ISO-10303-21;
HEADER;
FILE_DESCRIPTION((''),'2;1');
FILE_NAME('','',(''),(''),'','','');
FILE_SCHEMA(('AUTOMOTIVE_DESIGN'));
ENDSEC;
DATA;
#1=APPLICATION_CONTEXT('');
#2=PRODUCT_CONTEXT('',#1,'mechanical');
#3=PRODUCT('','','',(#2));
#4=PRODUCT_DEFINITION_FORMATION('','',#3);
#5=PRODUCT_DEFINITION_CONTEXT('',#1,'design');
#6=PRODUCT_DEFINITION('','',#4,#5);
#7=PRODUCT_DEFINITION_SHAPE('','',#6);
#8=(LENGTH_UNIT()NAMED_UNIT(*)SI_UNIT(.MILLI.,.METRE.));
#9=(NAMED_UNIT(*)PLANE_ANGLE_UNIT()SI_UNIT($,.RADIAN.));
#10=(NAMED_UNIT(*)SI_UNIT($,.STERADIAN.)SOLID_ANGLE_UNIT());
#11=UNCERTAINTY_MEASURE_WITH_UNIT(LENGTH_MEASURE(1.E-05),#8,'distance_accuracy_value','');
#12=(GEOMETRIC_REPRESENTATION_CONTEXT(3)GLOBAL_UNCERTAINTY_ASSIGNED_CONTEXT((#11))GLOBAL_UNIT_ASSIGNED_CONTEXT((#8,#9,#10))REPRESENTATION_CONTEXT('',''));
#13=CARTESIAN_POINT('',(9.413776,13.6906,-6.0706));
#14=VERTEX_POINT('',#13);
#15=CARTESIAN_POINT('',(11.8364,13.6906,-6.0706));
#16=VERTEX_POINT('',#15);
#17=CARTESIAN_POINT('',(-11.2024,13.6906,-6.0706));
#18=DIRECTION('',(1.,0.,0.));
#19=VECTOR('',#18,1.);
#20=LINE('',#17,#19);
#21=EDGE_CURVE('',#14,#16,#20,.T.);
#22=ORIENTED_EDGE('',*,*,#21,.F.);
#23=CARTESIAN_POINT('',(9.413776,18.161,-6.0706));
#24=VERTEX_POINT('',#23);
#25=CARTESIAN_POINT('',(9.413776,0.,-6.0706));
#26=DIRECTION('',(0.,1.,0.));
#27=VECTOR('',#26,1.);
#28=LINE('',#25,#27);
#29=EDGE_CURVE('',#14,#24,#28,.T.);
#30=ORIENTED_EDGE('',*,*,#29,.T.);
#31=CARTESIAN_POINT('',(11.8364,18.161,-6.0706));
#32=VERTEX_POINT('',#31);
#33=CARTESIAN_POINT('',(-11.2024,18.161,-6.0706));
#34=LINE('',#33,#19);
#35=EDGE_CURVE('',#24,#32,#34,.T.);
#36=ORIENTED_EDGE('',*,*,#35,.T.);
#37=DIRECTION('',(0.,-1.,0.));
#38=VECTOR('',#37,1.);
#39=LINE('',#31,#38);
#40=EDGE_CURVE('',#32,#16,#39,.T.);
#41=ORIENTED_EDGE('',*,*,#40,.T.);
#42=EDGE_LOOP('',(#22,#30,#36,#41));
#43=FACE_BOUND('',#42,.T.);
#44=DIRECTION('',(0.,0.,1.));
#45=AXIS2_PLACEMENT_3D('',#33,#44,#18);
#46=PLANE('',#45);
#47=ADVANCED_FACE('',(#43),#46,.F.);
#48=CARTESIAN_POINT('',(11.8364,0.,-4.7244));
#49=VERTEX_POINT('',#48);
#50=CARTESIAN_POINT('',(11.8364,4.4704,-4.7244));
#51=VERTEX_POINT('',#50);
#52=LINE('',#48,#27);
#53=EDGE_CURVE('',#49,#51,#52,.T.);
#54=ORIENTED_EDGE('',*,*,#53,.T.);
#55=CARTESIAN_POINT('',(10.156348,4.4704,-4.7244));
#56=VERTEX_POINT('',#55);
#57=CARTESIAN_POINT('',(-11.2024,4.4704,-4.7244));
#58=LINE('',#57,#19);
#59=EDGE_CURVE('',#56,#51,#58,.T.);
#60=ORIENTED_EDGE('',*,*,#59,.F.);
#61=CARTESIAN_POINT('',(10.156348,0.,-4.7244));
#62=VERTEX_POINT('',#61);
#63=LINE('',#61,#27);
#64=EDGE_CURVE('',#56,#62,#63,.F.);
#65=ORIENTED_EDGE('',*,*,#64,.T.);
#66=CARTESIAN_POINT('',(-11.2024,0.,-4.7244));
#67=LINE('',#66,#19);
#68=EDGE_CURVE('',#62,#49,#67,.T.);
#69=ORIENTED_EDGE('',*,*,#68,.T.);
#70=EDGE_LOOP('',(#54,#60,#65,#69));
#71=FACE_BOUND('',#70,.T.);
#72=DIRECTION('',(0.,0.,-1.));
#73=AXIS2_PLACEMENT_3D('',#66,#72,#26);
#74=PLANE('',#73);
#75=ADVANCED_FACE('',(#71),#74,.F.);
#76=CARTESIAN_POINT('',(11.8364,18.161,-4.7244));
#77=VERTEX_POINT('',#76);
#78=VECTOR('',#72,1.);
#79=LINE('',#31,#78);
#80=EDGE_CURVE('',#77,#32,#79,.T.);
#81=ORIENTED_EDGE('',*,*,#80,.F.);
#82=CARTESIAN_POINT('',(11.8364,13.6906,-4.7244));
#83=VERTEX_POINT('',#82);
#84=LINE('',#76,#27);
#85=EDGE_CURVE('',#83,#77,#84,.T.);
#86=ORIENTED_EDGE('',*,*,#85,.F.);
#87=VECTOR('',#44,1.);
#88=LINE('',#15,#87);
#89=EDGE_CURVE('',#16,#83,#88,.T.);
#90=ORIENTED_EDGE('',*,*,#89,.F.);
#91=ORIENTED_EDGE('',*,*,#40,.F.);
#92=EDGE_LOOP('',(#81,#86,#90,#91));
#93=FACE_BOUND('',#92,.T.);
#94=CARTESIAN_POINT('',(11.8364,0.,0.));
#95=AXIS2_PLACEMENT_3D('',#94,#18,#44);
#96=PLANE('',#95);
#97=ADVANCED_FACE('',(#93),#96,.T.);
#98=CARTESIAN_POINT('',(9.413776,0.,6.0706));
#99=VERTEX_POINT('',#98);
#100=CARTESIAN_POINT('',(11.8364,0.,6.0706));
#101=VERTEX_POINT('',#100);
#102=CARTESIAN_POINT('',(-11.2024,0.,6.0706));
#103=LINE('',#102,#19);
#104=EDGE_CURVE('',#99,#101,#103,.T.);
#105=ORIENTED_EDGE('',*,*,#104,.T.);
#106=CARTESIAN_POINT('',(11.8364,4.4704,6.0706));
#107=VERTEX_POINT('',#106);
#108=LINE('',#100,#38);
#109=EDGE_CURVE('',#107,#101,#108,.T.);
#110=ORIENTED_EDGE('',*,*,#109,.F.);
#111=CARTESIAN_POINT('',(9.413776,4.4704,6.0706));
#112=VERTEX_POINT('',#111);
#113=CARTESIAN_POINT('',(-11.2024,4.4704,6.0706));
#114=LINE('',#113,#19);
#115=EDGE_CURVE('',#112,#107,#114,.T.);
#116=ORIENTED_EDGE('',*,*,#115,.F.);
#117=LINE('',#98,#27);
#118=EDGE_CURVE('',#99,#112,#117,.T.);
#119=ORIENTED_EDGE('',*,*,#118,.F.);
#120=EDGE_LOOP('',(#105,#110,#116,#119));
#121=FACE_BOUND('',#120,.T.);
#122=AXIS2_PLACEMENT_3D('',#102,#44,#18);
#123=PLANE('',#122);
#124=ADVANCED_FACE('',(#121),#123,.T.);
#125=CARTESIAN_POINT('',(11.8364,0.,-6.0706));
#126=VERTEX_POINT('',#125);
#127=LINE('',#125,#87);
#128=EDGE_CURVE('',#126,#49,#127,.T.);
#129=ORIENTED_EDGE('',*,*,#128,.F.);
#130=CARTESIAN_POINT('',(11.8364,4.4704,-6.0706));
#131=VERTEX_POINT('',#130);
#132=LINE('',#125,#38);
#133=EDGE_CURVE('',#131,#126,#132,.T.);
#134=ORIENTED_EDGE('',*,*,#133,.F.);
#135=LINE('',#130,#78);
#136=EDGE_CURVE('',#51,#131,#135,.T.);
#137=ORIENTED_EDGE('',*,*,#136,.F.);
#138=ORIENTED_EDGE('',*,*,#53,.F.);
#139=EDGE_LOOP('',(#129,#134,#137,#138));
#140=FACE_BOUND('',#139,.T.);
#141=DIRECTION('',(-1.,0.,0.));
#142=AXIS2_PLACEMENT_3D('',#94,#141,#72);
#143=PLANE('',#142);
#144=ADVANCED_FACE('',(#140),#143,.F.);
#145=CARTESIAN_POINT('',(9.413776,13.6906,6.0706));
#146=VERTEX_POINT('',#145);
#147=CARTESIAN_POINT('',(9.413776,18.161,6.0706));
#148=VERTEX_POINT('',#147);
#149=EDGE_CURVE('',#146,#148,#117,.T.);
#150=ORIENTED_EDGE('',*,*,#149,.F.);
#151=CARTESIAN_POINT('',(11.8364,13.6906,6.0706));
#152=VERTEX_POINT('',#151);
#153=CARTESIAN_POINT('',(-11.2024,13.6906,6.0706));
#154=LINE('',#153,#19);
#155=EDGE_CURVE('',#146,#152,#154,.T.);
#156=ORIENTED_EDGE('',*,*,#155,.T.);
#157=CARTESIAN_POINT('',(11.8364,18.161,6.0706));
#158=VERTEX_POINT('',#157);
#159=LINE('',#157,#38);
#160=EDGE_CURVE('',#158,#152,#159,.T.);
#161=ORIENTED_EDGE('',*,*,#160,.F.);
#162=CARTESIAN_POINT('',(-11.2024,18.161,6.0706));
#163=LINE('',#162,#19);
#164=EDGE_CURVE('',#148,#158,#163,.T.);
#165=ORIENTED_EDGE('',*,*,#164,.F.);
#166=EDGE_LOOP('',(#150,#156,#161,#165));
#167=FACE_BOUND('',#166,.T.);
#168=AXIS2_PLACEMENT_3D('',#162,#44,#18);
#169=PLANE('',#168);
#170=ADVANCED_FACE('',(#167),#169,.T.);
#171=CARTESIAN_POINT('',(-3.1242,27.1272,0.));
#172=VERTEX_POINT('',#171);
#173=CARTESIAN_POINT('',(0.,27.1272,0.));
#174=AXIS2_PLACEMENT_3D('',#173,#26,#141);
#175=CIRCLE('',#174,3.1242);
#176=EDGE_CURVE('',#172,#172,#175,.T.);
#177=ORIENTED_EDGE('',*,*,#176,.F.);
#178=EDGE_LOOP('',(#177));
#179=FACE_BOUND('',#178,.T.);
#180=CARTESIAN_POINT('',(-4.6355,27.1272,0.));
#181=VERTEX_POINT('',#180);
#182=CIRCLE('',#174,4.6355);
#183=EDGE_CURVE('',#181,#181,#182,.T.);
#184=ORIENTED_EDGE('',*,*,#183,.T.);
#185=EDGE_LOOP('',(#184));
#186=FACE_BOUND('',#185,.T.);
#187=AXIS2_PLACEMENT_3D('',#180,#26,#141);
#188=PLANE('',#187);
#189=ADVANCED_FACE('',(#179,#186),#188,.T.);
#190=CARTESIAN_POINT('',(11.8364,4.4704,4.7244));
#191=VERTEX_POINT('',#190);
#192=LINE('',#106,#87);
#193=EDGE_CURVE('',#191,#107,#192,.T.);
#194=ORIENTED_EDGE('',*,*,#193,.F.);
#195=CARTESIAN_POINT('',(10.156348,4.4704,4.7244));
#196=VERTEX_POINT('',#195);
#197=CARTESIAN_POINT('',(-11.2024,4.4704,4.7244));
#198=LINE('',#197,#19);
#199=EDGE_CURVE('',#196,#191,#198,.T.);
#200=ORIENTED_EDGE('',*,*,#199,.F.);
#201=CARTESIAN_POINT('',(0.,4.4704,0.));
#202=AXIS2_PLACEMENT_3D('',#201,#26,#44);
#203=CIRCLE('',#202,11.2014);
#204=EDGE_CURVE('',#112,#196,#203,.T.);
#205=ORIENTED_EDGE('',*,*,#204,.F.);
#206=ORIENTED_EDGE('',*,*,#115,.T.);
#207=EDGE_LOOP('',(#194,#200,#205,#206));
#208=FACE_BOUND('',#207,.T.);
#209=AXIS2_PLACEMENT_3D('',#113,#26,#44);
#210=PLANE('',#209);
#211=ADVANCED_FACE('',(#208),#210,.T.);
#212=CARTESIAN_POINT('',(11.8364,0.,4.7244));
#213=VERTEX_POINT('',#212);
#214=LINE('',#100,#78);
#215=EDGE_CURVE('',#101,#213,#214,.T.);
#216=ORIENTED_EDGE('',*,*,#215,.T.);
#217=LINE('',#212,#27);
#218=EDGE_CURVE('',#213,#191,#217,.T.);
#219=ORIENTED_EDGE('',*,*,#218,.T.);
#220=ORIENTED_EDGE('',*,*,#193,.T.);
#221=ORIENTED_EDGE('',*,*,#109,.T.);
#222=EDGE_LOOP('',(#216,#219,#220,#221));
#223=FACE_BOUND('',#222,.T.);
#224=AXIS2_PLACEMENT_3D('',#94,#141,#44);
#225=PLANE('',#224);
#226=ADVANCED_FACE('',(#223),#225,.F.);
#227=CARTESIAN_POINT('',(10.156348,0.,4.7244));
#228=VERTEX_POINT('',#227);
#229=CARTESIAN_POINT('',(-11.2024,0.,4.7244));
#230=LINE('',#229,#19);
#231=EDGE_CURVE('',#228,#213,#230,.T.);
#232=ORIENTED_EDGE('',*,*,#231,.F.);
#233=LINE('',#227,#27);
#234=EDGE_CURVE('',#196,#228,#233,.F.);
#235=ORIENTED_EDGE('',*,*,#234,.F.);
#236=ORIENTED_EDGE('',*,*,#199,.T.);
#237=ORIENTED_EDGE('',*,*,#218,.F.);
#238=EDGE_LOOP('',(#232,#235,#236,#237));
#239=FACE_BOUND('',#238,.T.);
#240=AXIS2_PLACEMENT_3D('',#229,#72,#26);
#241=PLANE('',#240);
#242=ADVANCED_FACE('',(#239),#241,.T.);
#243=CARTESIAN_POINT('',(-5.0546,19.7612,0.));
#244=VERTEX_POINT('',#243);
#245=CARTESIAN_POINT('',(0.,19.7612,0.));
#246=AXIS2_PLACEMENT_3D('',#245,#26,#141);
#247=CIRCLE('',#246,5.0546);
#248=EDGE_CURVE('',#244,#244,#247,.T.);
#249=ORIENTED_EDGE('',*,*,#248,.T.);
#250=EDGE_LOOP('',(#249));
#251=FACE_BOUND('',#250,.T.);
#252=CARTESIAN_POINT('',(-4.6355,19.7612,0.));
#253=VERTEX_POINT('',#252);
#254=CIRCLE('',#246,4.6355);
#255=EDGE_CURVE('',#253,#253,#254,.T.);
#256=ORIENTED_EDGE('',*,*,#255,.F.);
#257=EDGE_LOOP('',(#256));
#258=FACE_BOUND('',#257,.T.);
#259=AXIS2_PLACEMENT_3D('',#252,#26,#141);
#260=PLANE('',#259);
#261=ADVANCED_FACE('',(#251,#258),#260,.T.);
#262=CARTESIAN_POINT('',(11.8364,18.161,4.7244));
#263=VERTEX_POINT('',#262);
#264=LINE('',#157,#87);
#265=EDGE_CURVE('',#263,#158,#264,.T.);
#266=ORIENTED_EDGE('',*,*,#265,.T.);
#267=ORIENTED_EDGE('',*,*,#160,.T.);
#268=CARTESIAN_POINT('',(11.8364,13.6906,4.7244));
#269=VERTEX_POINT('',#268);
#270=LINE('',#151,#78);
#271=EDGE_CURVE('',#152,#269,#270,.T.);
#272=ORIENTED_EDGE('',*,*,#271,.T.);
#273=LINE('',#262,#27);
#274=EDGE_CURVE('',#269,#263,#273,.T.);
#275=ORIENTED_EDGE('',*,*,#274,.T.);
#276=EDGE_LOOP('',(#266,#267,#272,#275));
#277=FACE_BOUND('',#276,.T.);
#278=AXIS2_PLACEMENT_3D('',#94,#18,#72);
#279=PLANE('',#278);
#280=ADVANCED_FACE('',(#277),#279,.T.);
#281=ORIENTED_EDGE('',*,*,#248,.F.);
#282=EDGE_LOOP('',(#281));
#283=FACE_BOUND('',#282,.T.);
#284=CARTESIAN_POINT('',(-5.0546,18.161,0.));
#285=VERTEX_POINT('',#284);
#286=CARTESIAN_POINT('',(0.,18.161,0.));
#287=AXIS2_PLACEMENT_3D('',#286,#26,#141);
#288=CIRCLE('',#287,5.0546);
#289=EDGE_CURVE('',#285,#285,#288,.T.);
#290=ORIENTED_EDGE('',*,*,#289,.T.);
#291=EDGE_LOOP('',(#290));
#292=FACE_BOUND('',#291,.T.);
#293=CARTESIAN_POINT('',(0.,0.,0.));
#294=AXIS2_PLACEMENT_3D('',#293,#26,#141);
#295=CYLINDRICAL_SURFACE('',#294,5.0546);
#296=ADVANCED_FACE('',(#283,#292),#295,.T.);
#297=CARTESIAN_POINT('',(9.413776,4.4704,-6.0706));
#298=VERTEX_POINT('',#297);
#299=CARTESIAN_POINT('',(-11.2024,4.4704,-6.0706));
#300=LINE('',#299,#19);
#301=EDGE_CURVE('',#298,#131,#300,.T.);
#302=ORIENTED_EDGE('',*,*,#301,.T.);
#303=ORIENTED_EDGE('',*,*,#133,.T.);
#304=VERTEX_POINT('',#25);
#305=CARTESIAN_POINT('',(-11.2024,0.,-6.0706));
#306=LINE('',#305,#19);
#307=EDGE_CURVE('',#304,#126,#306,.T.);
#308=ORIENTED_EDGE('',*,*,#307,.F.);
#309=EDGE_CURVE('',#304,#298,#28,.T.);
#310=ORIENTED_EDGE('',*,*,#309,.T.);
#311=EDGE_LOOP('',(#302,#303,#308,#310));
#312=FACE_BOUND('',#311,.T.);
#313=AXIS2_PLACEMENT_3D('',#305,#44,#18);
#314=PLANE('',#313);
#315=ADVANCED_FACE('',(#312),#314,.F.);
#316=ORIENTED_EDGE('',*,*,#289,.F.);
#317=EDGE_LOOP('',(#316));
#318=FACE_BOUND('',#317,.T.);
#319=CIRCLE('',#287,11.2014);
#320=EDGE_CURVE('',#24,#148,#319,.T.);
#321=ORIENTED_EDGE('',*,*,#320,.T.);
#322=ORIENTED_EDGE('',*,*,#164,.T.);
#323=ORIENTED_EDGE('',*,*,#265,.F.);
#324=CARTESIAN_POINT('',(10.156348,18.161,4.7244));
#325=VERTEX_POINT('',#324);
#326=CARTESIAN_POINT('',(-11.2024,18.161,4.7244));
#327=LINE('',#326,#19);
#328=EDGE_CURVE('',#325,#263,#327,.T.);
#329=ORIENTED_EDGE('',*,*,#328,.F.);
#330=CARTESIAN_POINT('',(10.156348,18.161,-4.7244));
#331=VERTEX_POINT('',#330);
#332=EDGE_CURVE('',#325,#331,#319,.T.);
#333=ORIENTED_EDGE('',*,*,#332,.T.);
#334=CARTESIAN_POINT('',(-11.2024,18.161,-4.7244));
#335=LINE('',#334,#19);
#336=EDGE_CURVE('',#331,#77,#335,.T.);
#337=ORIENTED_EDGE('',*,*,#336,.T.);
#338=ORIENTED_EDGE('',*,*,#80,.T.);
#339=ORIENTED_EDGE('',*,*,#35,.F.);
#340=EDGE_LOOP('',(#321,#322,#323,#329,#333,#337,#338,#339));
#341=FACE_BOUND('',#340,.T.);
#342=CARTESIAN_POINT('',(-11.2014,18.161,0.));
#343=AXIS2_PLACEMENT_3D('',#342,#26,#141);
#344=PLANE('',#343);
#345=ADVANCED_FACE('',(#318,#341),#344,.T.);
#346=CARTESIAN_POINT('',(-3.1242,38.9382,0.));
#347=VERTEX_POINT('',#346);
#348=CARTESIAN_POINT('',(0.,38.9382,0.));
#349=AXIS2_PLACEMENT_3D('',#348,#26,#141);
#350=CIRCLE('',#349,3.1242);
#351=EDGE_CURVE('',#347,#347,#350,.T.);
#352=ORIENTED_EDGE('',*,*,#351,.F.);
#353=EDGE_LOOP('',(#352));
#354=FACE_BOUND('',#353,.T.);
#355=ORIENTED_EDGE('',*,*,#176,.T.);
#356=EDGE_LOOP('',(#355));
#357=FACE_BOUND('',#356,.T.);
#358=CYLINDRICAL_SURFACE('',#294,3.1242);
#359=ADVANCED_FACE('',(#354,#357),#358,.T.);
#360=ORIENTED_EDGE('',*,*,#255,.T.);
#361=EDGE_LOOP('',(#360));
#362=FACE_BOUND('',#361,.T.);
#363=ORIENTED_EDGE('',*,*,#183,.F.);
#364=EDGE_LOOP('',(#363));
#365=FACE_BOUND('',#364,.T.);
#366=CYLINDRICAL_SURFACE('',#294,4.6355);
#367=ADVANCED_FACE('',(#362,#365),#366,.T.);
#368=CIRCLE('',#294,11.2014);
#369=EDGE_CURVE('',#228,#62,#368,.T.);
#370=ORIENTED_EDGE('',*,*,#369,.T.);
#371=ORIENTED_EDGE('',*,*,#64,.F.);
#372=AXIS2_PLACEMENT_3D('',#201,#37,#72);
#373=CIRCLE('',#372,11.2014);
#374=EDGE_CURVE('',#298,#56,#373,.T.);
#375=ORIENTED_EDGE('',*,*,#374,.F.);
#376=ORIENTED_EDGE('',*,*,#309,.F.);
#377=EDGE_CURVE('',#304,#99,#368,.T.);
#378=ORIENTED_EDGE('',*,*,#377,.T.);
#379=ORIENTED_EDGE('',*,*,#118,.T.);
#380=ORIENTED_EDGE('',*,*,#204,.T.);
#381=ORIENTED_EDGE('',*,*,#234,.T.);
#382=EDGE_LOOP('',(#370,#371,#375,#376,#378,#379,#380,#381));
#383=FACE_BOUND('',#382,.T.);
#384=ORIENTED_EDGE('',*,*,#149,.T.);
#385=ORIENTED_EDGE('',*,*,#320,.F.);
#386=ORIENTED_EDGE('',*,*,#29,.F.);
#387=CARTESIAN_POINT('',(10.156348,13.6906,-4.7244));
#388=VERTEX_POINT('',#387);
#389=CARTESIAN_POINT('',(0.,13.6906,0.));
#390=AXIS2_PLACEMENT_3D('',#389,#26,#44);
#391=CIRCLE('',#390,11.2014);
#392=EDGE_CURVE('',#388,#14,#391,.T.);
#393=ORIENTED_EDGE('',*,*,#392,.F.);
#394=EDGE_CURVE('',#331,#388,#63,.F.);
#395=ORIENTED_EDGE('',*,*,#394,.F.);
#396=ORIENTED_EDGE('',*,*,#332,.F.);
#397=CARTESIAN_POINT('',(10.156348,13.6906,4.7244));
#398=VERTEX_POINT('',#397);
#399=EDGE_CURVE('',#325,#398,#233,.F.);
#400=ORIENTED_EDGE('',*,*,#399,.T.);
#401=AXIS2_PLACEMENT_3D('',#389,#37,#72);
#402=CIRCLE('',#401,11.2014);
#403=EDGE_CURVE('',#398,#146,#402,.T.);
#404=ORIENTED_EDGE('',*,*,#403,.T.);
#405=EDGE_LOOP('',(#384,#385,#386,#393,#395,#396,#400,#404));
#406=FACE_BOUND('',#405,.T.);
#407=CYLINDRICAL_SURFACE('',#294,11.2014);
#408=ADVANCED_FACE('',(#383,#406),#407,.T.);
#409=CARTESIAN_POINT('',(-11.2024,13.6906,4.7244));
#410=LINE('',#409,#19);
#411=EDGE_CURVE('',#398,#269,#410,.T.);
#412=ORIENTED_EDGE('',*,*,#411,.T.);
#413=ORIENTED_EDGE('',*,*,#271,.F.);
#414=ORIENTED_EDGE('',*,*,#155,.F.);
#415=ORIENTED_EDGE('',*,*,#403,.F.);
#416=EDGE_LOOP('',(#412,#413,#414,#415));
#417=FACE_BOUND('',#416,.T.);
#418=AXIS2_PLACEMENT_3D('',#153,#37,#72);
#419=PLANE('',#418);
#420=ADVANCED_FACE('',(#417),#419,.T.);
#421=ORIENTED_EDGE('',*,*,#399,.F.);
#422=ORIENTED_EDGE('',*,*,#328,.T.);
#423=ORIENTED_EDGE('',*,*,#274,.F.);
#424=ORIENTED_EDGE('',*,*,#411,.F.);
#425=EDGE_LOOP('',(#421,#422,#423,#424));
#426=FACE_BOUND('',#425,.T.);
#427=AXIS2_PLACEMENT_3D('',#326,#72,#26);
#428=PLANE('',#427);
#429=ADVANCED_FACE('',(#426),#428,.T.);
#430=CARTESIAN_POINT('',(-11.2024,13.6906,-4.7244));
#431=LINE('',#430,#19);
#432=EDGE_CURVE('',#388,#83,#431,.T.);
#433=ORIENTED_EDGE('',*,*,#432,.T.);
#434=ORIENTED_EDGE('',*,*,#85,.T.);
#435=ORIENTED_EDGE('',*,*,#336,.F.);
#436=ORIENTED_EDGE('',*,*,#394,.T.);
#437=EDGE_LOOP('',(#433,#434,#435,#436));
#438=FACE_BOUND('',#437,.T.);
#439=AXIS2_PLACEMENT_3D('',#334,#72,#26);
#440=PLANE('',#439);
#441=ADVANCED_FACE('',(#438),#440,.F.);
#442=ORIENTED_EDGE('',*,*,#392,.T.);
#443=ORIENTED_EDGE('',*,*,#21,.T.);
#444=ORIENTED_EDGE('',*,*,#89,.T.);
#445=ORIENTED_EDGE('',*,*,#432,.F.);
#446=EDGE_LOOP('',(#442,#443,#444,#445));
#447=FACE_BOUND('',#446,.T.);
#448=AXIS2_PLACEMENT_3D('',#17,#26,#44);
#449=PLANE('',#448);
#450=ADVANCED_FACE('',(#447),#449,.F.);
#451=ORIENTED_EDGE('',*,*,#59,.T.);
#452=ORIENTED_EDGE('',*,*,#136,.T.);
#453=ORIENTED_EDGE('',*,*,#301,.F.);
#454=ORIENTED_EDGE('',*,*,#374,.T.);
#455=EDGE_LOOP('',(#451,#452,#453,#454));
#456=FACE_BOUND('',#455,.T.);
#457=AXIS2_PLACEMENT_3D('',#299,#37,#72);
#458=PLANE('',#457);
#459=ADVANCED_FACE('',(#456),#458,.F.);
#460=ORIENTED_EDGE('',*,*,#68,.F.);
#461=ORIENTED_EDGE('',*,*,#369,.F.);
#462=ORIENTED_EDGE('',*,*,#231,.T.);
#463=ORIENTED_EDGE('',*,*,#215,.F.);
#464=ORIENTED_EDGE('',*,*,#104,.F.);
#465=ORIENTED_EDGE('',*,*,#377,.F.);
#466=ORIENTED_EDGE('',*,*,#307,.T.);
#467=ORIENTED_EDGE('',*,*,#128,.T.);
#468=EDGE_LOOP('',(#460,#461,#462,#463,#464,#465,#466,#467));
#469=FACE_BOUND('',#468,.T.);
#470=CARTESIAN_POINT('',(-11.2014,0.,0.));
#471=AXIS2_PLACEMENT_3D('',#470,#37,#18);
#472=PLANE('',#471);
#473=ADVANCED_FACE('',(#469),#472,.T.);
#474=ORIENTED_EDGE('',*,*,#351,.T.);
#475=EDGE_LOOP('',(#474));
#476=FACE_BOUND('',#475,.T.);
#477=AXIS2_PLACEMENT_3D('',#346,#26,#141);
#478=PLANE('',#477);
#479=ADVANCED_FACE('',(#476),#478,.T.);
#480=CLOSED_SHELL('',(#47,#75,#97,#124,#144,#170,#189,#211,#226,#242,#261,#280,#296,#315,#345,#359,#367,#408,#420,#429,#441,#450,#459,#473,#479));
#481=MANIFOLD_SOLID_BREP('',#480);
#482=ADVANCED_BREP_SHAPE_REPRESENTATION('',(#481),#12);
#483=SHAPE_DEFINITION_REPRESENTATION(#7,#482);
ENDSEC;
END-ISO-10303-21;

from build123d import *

# Parameters (mm, degrees)
BOSS_EXTRUDE1_REACH      = 48.609
BOSS_EXTRUDE1_END_RADIUS = 11.2014
SKETCH2_W                = 1.3462
SKETCH2_H                = 4.4704


with BuildPart() as part:
    # Sketch1 → Revolve1 (revolve)
    with BuildSketch(Plane.XY):
        Polygon((-11.2014, 18.161), (-11.2014, 0), (0, 0), (0, 38.9382), (-3.1242, 38.9382), (-3.1242, 27.1272), (-4.6355, 27.1272), (-4.6355, 19.7612), (-5.0546, 19.7612), (-5.0546, 18.161), align=None)
    revolve(axis=Axis((0, 0, 0), (0, -1, 0)))

    # Boss-Extrude1: up to this cylinder (the profile starts outside it)
    boss_extrude1_end = Plane(origin=(0, 9.0805, 0), z_dir=(0, 1, 0)) * Cylinder(BOSS_EXTRUDE1_END_RADIUS, 134.3114, mode=Mode.PRIVATE)
    # Sketch2 → Boss-Extrude1 (add, up to the surface)
    with BuildSketch(Plane(origin=(11.8364, 0, 0), x_dir=(0, 0, -1), z_dir=(1, 0, 0)), mode=Mode.PRIVATE) as boss_extrude1_sk1:
        with Locations((-5.3975, 15.9258)):
            Rectangle(SKETCH2_W, SKETCH2_H)
    boss_extrude1_tool1 = extrude(boss_extrude1_sk1.sketch, amount=-BOSS_EXTRUDE1_REACH, mode=Mode.PRIVATE) - boss_extrude1_end
    # Sketch2 → Boss-Extrude1 (add, up to the surface)
    with BuildSketch(Plane(origin=(11.8364, 0, 0), x_dir=(0, 0, -1), z_dir=(1, 0, 0)), mode=Mode.PRIVATE) as boss_extrude1_sk2:
        with Locations((-5.3975, 2.2352)):
            Rectangle(SKETCH2_W, SKETCH2_H)
    boss_extrude1_tool2 = extrude(boss_extrude1_sk2.sketch, amount=-BOSS_EXTRUDE1_REACH, mode=Mode.PRIVATE) - boss_extrude1_end
    boss_extrude1 = boss_extrude1_tool1.solids().sort_by_distance((11.8364, 15.9258, 5.3975))[0] + boss_extrude1_tool2.solids().sort_by_distance((11.8364, 2.2352, 5.3975))[0]
    add(boss_extrude1)

    # Mirror1: Boss-Extrude1 across plane
    add(boss_extrude1.mirror(Plane.XY))


solid = part.part
